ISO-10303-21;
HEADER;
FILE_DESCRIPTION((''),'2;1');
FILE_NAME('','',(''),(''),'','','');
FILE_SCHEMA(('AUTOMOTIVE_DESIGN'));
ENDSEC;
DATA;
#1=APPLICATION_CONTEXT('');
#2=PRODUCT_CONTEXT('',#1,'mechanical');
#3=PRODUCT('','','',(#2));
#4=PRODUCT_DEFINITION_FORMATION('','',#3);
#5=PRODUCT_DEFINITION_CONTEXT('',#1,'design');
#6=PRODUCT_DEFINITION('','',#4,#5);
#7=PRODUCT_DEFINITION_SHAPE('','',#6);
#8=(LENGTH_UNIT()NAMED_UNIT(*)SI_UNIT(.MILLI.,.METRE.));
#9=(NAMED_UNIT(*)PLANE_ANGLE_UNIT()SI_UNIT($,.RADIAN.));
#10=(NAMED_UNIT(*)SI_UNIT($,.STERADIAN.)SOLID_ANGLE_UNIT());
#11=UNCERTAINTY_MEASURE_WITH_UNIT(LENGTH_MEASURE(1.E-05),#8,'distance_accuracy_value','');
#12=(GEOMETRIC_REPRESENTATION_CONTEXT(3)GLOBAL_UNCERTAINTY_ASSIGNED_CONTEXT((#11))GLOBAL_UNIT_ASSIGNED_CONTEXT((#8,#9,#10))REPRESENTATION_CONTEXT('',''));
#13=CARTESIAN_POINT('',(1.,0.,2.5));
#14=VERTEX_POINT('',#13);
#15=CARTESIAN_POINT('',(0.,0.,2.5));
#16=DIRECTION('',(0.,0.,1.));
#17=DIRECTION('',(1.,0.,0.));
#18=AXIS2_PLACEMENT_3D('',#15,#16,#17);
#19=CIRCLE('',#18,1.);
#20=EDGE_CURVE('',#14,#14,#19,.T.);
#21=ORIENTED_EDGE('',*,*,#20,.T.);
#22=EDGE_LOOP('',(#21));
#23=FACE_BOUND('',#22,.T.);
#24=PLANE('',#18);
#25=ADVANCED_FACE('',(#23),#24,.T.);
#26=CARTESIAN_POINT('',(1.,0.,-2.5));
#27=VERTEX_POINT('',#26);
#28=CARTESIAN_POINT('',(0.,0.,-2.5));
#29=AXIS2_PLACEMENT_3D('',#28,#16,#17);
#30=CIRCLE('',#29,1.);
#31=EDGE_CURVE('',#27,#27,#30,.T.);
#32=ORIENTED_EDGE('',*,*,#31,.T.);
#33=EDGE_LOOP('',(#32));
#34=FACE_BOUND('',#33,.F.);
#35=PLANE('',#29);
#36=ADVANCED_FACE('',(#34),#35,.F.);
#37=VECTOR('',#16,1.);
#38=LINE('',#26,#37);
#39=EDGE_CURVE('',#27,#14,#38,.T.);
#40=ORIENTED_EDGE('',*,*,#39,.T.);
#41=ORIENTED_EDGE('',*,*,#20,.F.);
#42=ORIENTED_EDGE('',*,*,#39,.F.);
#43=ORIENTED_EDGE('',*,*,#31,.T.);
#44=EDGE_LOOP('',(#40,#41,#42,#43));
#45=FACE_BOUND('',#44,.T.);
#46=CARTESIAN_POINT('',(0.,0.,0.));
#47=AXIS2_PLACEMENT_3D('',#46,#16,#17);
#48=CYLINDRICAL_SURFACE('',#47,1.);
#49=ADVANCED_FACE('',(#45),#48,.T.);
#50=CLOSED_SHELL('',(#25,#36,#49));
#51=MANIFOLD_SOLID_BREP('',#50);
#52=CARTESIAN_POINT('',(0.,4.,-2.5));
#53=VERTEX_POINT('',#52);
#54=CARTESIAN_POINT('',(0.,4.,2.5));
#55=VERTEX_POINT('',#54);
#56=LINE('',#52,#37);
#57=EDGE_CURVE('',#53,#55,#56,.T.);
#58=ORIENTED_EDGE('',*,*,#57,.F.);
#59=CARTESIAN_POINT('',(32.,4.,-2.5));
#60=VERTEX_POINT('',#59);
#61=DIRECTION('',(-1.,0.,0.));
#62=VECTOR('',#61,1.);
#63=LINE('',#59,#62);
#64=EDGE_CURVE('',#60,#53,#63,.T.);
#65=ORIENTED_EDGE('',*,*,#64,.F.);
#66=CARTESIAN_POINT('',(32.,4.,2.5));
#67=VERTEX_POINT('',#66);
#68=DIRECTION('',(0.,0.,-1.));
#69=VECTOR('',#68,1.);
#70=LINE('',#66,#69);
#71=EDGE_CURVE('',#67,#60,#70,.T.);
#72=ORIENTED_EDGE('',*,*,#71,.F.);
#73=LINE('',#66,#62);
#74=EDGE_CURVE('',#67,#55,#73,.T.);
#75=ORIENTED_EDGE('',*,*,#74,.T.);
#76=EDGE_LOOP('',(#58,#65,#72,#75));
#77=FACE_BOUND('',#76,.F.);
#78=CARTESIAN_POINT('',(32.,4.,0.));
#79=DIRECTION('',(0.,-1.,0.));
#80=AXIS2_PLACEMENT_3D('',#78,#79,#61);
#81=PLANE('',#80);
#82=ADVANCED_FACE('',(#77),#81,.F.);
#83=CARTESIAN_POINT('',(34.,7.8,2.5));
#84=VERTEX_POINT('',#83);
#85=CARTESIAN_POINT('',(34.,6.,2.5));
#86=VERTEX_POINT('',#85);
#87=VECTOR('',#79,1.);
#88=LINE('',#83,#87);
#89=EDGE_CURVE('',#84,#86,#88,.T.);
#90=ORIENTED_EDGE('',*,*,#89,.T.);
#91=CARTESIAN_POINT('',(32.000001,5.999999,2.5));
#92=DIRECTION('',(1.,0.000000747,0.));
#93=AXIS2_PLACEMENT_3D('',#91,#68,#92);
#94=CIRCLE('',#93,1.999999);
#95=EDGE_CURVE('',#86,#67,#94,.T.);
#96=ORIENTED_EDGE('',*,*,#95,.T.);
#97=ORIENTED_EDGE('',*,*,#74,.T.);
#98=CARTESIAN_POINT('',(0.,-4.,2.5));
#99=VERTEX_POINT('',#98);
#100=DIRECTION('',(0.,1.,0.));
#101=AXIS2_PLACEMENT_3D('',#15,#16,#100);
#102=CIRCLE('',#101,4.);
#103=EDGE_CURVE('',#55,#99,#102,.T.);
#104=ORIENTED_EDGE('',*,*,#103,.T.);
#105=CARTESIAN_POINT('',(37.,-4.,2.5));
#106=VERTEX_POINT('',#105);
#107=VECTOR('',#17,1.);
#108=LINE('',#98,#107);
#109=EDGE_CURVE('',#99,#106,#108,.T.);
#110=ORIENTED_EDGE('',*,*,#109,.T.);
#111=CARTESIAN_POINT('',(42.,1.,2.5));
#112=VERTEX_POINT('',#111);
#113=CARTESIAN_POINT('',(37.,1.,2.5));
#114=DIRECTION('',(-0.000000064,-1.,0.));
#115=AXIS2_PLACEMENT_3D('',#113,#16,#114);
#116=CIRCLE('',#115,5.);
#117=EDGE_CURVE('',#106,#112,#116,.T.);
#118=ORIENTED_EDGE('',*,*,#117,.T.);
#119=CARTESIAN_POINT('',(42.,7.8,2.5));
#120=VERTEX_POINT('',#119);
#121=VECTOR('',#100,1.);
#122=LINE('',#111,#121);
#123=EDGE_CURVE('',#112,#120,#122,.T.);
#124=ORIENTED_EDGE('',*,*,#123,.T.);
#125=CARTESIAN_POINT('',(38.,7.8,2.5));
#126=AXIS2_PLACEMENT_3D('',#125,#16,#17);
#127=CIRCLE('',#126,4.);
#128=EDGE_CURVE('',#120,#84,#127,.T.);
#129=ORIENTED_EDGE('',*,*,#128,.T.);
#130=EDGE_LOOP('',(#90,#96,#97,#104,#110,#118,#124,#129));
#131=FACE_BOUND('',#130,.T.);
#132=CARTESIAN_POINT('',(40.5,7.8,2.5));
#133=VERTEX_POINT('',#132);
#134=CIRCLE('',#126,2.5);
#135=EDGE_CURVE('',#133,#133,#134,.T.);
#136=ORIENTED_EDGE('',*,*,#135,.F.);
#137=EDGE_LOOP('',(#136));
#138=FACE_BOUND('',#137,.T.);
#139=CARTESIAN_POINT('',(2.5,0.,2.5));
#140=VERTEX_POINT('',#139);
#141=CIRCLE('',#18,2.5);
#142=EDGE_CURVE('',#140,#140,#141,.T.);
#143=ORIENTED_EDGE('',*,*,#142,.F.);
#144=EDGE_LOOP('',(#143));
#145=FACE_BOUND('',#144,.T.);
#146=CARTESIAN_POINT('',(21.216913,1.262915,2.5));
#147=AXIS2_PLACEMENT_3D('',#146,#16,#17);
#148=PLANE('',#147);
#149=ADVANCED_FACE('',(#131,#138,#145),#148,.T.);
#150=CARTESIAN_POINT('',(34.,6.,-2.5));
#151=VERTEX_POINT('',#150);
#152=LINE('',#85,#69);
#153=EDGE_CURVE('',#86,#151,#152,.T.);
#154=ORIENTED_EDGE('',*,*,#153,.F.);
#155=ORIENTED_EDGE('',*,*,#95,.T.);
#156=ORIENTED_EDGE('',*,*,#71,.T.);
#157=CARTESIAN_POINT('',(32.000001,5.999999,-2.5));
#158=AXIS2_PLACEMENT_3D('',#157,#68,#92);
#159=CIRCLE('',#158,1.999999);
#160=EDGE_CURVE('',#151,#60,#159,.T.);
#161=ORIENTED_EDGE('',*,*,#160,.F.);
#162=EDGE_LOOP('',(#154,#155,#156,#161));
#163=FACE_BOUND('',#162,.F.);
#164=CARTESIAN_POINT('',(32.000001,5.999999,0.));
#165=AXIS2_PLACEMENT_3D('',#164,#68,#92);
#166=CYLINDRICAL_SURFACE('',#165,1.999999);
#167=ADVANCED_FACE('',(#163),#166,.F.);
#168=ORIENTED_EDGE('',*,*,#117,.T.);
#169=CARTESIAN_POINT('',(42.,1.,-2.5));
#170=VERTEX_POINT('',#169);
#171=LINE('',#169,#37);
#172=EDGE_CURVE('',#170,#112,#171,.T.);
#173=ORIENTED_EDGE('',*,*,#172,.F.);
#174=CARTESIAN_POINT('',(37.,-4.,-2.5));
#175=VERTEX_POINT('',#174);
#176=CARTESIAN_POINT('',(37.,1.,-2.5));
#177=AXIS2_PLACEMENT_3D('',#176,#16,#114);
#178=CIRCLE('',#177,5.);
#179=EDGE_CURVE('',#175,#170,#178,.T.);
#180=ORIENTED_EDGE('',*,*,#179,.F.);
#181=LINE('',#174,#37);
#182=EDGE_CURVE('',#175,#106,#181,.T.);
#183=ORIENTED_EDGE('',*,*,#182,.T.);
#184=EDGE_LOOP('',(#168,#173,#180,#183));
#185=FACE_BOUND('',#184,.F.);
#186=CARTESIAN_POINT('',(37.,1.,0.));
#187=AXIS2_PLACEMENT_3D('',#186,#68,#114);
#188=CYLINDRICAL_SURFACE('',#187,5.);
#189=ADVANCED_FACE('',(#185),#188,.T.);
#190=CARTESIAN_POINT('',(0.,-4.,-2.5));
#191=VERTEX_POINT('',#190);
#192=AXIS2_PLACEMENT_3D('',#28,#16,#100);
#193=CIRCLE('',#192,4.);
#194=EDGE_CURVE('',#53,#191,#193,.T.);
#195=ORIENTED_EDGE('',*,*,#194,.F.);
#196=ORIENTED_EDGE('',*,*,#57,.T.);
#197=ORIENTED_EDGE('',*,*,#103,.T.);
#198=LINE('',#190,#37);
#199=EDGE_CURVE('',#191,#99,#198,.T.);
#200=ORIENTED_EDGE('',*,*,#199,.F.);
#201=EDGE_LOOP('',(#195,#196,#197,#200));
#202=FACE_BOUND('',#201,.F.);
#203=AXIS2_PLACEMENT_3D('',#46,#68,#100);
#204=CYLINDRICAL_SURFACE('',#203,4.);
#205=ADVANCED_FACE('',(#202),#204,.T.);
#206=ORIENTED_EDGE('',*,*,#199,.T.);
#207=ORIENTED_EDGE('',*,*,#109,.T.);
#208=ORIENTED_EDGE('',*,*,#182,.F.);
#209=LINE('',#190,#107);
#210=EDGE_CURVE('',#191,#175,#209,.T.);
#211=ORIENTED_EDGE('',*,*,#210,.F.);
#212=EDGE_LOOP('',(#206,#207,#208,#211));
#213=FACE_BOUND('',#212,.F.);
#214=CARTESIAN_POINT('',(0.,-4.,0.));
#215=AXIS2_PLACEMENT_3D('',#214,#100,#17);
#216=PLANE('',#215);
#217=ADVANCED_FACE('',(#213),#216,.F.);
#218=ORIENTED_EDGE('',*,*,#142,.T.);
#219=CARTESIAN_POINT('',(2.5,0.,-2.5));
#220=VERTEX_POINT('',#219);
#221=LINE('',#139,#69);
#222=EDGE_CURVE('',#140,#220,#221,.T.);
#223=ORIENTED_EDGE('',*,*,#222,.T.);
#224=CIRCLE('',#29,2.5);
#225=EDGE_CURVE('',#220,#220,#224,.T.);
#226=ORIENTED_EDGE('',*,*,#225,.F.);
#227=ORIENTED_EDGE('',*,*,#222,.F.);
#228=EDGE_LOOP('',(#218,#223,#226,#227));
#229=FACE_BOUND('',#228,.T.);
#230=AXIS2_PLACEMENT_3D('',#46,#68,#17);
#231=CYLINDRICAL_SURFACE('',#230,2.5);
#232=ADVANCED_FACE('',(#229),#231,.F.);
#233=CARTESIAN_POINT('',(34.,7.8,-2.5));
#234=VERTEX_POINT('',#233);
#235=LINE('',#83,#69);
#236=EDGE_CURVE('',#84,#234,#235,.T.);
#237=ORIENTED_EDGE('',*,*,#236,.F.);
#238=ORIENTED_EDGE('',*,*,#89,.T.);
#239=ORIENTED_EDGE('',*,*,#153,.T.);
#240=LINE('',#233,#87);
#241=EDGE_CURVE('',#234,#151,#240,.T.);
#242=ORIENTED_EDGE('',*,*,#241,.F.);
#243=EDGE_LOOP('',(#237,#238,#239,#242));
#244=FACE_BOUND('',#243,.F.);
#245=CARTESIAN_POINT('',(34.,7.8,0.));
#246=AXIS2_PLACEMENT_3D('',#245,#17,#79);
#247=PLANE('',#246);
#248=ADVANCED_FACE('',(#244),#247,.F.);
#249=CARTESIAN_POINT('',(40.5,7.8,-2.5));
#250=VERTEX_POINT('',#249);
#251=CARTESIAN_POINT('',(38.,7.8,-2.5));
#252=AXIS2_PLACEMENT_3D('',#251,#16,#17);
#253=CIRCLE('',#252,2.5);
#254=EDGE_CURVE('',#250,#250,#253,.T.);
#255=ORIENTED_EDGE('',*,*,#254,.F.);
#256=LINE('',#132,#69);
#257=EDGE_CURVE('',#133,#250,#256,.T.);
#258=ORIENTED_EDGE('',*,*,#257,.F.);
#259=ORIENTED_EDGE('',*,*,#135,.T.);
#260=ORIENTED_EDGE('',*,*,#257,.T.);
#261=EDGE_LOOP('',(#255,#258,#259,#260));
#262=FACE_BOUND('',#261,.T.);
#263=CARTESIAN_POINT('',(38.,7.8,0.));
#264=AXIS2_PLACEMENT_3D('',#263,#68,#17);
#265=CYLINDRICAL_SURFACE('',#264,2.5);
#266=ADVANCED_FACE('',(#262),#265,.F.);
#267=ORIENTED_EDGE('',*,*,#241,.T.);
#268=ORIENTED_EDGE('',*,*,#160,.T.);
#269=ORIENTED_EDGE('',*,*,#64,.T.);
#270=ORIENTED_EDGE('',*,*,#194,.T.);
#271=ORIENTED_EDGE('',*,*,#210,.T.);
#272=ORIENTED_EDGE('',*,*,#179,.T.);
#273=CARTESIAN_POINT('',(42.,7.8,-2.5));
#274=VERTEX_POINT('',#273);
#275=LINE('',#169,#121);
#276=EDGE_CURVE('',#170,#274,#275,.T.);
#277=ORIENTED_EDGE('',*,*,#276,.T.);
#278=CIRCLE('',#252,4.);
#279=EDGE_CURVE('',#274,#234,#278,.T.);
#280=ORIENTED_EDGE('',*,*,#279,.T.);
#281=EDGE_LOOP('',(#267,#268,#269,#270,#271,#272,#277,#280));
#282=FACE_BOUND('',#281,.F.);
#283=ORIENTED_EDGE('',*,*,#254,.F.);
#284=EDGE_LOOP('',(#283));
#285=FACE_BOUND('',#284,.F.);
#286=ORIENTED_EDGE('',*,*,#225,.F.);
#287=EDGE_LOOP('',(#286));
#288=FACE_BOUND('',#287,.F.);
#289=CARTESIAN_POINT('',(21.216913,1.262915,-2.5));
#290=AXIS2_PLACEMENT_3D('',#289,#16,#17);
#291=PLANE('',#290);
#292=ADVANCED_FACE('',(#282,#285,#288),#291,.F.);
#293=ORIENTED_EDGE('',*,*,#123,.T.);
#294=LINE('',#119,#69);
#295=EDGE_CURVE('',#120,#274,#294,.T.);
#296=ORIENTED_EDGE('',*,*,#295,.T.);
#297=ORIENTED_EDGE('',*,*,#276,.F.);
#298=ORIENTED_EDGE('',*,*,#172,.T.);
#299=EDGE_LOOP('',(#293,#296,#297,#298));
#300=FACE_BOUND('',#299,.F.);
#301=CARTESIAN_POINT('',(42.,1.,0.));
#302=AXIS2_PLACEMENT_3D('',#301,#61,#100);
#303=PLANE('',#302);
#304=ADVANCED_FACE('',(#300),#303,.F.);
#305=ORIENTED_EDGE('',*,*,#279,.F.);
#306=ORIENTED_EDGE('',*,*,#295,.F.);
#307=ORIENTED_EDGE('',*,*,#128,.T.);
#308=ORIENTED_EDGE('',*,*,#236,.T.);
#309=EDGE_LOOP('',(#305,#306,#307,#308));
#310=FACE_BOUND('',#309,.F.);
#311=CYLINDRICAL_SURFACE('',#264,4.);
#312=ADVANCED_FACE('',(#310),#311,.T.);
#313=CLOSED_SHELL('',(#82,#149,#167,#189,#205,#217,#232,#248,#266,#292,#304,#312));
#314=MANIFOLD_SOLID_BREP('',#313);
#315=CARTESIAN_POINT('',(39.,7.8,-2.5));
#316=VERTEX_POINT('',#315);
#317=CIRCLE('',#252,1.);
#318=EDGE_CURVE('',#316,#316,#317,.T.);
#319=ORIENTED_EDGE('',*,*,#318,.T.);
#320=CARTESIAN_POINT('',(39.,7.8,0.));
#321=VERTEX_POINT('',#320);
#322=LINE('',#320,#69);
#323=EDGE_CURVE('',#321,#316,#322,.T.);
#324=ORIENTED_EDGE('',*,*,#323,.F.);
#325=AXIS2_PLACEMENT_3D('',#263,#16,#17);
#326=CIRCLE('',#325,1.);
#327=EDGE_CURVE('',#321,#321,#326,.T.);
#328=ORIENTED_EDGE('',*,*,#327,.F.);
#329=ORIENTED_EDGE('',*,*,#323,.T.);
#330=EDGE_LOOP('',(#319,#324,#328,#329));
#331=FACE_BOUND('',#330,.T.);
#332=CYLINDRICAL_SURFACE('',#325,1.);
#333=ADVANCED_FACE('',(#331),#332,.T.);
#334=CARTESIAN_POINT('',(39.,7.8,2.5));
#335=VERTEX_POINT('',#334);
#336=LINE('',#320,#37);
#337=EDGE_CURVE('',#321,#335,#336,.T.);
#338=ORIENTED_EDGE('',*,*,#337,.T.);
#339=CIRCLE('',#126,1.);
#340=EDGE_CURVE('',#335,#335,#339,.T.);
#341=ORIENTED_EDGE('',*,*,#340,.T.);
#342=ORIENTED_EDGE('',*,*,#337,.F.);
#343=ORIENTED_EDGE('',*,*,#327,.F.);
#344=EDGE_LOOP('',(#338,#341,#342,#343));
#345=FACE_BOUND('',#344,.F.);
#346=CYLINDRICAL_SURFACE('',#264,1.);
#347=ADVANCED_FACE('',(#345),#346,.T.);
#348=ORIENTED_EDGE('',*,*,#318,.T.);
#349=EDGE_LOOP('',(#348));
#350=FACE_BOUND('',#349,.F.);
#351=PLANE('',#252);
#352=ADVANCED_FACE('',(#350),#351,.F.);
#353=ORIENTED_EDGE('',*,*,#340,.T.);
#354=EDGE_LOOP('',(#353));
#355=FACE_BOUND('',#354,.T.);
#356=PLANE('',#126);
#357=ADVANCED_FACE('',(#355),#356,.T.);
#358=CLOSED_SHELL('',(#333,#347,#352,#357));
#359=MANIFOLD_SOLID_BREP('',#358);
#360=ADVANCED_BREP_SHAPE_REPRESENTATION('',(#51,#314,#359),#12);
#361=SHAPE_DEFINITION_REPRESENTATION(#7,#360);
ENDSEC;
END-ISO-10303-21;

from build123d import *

# Parameters (mm, degrees)
F0_R     = 2.5
F0_R_2   = 1
F1_DEPTH = 2.5


with BuildPart() as f1:
    # F0 (on Top) → F1 (new body, symmetric)
    with BuildSketch(Plane.XY):
        with BuildLine():
            Line((32, 4), (0, 4))
            ThreePointArc((0, 4), (-4, 0), (0, -4))
            Line((0, -4), (37, -4))
            ThreePointArc((37, -4), (40.535534, -2.535534), (42, 1))
            Line((42, 1), (42, 7.8))
            ThreePointArc((42, 7.8), (38, 11.8), (34, 7.8))
            Line((34, 7.8), (34, 6))
            ThreePointArc((34, 6), (33.414214, 4.585786), (32, 4))
        make_face()
        Circle(F0_R, mode=Mode.SUBTRACT)
        with Locations((38, 7.8)):
            Circle(F0_R, mode=Mode.SUBTRACT)
        with Locations((38, 7.8)):
            Circle(F0_R_2)
        Circle(F0_R_2)
    extrude(amount=F1_DEPTH, both=True)


solid = f1.part
